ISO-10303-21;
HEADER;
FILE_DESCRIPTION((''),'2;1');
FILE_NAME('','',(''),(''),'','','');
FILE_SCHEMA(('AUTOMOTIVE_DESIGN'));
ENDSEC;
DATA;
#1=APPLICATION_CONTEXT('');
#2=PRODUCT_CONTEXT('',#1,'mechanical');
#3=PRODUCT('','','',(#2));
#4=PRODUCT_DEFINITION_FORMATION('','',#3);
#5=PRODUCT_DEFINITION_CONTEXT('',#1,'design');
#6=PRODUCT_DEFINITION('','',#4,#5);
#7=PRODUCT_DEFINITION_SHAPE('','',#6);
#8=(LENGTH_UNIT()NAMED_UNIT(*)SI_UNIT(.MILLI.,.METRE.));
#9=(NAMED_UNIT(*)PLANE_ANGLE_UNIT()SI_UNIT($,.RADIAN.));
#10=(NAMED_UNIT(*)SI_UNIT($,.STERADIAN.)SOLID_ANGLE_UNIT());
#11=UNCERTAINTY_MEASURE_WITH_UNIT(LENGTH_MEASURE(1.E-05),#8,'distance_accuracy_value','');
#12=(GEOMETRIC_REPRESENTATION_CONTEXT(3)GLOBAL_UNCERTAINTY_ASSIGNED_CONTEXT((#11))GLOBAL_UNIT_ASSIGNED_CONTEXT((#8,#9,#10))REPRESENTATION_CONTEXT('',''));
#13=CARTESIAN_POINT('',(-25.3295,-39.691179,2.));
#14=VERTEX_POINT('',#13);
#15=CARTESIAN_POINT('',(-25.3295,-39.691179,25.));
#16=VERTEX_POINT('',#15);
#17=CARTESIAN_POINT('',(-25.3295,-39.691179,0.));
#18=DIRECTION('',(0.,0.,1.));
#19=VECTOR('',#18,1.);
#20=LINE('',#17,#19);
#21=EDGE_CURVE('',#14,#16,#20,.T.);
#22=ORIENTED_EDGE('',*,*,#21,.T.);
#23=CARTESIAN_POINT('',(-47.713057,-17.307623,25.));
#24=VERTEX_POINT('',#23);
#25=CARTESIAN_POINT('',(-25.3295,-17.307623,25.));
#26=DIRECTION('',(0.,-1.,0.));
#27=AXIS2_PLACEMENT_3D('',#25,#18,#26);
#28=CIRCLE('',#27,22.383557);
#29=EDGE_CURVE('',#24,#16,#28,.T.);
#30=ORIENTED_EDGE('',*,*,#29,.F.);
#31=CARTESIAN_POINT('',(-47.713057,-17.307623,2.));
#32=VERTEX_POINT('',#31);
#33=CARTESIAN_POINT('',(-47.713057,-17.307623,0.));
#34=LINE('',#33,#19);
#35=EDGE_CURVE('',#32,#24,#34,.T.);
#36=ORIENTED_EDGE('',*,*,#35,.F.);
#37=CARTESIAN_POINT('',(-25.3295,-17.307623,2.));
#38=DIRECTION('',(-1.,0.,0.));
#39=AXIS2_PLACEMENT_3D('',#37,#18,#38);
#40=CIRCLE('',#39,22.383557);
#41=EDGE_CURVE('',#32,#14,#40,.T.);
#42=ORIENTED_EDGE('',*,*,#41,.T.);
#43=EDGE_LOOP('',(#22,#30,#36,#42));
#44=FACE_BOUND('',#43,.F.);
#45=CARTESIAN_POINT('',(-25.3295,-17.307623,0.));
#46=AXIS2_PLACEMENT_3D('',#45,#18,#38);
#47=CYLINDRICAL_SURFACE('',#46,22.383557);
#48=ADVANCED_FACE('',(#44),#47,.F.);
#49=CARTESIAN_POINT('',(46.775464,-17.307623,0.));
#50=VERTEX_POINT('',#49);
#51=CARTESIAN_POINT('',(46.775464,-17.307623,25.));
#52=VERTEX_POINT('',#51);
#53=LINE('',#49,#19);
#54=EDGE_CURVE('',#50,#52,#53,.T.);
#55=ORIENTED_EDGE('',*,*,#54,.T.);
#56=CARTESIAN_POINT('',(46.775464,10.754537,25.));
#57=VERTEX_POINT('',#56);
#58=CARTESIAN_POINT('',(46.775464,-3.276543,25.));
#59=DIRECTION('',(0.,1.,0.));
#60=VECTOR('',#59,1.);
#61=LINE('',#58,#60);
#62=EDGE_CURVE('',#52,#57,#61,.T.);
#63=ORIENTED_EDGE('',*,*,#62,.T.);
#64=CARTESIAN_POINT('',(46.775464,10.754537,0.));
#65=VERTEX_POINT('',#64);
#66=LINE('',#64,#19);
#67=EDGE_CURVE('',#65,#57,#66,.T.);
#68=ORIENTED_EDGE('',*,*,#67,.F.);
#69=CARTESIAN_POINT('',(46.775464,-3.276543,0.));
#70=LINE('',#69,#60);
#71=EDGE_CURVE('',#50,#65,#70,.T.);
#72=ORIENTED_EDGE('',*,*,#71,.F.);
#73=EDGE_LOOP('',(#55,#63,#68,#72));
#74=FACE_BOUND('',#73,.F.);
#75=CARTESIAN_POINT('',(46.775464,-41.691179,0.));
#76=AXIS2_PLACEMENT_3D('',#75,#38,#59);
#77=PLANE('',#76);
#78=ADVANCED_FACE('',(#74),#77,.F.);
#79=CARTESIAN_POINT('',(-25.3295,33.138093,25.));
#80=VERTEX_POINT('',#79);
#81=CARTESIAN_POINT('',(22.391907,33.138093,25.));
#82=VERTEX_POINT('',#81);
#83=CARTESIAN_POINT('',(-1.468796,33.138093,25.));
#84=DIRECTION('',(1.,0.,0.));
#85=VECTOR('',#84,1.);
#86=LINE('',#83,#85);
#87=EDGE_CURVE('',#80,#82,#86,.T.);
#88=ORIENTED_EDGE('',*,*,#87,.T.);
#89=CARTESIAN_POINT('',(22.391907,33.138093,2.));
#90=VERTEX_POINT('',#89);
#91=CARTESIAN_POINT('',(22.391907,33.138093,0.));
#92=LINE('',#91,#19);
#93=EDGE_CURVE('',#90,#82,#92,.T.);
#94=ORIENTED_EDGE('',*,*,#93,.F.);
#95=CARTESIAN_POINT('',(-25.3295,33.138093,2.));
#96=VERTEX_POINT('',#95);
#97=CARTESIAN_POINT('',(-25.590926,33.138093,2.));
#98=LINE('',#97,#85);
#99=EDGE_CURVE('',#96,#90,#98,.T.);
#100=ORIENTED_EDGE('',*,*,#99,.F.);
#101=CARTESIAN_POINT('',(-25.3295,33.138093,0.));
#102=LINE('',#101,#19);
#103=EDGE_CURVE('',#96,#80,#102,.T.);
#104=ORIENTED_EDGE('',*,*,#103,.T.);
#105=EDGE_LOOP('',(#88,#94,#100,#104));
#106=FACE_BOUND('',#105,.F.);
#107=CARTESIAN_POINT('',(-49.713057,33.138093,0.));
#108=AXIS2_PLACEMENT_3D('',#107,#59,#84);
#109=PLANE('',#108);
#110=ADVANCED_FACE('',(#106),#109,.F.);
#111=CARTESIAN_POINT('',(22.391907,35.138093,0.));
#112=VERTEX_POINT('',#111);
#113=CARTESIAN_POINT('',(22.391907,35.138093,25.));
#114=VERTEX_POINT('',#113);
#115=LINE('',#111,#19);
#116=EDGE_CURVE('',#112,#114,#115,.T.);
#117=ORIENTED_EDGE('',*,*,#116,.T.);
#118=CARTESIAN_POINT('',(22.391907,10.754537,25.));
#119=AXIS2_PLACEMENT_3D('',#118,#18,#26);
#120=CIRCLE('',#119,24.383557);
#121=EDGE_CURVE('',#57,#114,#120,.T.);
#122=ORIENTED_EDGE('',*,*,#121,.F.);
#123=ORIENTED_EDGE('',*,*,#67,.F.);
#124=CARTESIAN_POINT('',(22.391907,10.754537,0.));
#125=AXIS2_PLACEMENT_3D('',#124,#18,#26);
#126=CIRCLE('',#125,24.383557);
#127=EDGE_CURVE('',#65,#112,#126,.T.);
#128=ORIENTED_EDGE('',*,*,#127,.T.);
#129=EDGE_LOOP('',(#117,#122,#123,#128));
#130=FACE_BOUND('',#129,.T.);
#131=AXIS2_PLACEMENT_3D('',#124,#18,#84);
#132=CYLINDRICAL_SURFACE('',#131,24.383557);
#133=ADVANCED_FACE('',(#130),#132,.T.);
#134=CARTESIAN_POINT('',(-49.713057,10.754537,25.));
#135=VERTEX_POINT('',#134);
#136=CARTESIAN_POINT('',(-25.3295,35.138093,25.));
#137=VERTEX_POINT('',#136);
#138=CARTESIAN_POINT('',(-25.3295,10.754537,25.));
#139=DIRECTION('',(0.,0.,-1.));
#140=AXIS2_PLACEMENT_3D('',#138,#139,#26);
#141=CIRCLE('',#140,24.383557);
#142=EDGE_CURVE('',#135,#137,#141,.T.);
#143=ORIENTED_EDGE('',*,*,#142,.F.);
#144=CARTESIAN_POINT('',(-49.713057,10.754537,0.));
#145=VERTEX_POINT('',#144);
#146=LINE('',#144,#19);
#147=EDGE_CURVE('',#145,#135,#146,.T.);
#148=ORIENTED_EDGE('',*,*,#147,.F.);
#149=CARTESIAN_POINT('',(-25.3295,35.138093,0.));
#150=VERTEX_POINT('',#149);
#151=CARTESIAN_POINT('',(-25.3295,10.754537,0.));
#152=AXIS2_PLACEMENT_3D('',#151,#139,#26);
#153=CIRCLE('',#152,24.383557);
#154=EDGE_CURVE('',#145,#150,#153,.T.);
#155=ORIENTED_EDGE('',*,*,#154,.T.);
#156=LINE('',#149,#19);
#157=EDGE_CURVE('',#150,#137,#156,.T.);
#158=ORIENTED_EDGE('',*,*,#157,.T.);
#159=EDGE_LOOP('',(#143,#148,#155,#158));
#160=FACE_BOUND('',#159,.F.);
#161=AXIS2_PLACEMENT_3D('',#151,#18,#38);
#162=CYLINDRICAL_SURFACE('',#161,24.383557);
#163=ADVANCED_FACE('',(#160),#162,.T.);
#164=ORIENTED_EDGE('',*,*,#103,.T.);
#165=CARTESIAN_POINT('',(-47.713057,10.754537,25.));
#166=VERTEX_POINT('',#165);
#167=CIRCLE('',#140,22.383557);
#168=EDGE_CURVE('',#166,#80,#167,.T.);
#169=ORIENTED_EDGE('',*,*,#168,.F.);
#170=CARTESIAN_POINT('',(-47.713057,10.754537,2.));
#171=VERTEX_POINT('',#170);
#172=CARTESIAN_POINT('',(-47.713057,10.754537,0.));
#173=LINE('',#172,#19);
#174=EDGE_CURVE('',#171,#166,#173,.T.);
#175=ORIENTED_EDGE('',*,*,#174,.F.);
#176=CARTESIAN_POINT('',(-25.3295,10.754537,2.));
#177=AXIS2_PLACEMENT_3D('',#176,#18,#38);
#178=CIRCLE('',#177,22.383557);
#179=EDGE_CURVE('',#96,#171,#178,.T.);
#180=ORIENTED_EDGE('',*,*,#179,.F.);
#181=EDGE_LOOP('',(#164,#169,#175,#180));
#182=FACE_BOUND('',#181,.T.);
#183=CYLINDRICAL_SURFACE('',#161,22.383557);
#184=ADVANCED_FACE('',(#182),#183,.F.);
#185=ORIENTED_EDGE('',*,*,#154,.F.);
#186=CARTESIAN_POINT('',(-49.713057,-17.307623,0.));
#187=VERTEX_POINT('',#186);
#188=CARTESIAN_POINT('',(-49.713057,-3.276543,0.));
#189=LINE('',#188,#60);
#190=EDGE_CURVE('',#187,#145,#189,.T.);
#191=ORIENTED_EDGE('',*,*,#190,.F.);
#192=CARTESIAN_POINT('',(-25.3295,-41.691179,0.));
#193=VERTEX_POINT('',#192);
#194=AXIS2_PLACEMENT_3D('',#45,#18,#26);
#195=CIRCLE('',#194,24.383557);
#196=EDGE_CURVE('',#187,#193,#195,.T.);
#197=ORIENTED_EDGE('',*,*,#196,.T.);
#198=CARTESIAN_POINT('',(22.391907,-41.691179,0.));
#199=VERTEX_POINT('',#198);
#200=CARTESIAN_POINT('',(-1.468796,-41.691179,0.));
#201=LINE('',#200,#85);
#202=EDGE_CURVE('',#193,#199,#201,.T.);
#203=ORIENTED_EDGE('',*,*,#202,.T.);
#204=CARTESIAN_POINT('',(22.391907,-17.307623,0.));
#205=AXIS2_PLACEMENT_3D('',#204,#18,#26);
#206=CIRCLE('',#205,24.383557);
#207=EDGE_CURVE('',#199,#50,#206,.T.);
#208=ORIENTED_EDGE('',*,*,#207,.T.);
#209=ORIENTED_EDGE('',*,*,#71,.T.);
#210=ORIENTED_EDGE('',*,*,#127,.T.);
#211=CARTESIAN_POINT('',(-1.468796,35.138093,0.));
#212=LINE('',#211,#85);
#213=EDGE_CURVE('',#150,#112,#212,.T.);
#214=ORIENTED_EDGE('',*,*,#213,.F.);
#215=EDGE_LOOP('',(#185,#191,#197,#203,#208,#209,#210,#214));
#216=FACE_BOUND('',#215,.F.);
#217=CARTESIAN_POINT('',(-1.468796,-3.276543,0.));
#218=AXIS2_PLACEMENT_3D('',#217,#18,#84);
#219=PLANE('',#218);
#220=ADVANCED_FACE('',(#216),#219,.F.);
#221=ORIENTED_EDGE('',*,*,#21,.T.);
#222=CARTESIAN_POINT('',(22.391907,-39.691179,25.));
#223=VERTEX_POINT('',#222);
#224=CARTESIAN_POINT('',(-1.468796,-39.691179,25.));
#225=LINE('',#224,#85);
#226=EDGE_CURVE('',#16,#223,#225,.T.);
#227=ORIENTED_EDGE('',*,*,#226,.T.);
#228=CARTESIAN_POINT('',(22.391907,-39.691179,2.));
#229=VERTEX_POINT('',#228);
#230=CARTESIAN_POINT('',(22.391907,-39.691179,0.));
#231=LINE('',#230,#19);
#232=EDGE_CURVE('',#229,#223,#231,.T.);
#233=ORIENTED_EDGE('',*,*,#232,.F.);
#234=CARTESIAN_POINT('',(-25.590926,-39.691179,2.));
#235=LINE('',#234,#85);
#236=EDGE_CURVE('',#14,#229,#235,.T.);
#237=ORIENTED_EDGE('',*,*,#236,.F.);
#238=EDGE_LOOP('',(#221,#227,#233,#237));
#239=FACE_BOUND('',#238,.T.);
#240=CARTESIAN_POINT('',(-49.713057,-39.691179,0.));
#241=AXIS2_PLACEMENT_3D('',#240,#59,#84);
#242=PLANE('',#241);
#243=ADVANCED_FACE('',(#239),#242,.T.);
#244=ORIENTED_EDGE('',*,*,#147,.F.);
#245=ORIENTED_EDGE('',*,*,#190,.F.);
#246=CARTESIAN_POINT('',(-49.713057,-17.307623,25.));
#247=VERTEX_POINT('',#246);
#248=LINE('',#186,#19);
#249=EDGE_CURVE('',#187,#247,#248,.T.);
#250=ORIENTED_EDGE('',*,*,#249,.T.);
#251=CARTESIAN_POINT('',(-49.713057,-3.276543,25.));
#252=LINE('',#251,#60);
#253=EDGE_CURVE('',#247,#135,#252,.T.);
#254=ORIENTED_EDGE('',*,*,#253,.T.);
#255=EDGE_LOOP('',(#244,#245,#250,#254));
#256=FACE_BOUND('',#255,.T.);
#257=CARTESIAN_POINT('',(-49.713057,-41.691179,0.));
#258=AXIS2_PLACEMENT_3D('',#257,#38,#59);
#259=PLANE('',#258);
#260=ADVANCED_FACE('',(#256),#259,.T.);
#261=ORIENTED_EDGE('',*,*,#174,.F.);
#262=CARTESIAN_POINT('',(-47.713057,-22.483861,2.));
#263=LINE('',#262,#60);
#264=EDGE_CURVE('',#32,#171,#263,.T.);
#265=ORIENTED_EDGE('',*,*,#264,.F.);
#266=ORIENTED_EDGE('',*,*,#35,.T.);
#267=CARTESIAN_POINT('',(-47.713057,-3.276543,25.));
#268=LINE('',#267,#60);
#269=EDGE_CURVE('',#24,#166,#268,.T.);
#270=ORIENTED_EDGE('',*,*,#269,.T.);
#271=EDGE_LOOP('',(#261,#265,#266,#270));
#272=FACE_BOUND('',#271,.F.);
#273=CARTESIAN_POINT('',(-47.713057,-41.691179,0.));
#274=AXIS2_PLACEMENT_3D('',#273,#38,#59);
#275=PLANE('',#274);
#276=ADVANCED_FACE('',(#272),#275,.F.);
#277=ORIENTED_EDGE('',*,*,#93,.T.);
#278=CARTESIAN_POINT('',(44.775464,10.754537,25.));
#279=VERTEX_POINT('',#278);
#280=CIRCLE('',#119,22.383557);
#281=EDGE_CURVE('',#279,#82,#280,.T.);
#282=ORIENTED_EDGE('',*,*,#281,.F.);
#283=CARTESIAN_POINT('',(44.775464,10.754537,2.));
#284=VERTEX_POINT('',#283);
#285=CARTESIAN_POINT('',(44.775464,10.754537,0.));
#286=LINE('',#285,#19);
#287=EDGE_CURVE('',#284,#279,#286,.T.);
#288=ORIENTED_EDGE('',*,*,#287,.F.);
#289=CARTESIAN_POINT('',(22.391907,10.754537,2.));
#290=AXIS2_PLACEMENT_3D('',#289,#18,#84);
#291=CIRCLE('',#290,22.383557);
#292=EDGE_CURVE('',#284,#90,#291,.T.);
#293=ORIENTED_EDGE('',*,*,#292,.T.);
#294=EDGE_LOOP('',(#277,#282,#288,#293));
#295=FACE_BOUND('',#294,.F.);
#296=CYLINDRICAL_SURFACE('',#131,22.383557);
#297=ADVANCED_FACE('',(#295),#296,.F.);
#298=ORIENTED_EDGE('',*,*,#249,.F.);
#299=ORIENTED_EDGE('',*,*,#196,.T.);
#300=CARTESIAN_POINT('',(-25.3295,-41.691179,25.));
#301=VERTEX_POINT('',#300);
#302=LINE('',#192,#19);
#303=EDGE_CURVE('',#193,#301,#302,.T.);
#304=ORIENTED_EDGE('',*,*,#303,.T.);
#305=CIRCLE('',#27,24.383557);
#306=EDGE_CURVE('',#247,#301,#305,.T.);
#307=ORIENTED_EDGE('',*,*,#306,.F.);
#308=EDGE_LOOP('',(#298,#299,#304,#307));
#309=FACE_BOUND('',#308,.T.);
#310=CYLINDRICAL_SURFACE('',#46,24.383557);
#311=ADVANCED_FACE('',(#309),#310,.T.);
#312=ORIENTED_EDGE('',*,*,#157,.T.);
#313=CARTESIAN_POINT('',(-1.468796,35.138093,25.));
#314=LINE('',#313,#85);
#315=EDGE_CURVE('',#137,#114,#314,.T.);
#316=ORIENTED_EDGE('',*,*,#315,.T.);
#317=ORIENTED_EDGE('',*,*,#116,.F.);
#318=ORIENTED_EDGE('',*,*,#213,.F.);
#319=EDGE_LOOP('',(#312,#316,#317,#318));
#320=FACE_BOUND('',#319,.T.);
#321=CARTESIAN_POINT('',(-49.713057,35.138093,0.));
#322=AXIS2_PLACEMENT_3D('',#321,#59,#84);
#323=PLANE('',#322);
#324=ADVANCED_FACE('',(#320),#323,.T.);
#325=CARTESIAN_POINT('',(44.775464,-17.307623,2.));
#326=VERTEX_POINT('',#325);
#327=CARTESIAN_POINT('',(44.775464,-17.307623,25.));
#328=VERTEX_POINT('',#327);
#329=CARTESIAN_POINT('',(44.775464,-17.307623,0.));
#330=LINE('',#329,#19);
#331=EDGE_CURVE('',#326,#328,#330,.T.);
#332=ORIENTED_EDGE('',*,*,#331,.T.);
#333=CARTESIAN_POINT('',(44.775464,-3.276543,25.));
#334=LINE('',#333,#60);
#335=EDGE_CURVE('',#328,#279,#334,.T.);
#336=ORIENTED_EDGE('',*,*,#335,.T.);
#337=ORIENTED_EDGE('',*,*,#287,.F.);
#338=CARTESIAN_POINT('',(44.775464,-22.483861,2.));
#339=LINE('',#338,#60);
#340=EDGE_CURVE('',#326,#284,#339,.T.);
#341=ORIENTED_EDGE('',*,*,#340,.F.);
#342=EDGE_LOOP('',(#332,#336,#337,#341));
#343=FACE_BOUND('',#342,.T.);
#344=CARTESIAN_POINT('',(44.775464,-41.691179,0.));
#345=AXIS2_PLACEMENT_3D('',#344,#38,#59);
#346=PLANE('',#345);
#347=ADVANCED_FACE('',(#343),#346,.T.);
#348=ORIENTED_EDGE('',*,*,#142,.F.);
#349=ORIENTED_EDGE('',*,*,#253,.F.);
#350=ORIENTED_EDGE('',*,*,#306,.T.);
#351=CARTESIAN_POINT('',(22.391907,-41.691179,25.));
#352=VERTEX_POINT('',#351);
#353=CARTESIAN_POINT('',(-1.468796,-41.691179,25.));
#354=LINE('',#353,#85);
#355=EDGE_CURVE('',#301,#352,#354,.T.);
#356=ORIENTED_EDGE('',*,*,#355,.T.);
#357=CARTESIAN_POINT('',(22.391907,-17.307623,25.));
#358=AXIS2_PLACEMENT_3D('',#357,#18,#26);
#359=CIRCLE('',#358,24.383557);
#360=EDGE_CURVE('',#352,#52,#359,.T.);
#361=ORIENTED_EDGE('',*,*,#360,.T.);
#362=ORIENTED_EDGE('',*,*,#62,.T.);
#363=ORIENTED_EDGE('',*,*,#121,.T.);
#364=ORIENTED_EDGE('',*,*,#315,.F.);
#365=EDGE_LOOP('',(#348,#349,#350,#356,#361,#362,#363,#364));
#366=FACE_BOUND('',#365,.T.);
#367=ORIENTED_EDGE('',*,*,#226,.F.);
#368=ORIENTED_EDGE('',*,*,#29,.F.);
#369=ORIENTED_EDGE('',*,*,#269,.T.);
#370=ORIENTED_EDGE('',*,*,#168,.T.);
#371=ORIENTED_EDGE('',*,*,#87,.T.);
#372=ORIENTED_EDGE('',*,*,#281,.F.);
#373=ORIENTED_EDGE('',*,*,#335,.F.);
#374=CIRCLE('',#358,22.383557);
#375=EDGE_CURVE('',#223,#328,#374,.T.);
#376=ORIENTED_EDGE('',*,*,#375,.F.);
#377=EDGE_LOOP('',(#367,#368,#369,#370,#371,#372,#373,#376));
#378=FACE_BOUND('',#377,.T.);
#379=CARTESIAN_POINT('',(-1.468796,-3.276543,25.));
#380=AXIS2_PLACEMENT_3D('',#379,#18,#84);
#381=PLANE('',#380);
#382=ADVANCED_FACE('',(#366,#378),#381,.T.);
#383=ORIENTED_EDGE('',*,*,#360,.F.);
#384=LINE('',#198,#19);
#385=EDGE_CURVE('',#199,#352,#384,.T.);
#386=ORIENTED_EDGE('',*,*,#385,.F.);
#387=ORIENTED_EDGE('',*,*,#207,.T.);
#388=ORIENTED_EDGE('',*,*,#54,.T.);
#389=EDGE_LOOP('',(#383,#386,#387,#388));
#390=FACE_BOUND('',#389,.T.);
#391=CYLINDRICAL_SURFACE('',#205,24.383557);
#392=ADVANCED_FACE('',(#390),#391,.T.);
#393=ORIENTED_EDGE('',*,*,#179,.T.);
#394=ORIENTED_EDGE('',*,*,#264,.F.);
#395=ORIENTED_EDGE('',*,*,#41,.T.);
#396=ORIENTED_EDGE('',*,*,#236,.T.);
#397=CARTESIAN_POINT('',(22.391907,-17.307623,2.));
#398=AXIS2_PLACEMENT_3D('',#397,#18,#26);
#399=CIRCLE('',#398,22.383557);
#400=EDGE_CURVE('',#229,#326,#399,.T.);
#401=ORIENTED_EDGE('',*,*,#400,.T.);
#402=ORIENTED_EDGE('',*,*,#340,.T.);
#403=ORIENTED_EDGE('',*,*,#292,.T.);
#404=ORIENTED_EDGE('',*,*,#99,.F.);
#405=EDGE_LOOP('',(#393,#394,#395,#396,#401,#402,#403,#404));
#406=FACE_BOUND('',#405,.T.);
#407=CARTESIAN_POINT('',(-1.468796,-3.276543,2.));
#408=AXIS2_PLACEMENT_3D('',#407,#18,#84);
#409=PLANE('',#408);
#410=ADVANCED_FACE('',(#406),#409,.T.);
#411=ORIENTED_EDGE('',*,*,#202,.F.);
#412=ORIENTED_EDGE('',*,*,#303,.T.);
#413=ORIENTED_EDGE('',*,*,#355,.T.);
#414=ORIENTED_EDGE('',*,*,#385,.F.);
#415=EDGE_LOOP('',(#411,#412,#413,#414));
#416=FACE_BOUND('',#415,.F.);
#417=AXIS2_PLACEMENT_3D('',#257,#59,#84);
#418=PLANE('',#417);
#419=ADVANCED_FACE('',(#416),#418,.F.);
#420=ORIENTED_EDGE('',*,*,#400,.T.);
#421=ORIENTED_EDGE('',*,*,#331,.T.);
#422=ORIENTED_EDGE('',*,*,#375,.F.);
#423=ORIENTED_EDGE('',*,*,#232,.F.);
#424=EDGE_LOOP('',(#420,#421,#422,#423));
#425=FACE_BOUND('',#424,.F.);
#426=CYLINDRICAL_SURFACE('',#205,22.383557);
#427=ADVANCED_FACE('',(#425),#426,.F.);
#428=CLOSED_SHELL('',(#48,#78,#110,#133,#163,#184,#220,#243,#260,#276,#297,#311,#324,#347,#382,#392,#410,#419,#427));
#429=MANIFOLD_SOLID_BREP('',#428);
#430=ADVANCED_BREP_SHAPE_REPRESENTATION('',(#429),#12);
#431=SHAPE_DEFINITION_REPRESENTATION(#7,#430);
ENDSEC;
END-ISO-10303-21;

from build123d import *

# Parameters (mm, degrees)
F0_W     = 96.488521
F0_H     = 76.829273
F1_DEPTH = 25
F2_R     = 24.383557
F3_T     = -2


with BuildPart() as f1:
    # F0 (on Top) → F1 (new body)
    with BuildSketch(Plane.XY):
        with Locations((-1.468796, -3.276543)):
            Rectangle(F0_W, F0_H)
    extrude(amount=F1_DEPTH)

    # F2
    f2_edges = [f1.edges().sort_by_distance(p)[0] for p in [
        (46.775464, -41.69118, 12.5),
        (46.775464, 35.138093, 12.5),
        (-49.713057, 35.138093, 12.5),
        (-49.713057, -41.69118, 12.5),
    ]]
    fillet(f2_edges, radius=F2_R)

    # F3
    f3_openings = [f1.faces().sort_by_distance(p)[0] for p in [
        (-1.468796, -3.276544, 25),
    ]]
    offset(amount=F3_T, openings=f3_openings)


solid = f1.part
